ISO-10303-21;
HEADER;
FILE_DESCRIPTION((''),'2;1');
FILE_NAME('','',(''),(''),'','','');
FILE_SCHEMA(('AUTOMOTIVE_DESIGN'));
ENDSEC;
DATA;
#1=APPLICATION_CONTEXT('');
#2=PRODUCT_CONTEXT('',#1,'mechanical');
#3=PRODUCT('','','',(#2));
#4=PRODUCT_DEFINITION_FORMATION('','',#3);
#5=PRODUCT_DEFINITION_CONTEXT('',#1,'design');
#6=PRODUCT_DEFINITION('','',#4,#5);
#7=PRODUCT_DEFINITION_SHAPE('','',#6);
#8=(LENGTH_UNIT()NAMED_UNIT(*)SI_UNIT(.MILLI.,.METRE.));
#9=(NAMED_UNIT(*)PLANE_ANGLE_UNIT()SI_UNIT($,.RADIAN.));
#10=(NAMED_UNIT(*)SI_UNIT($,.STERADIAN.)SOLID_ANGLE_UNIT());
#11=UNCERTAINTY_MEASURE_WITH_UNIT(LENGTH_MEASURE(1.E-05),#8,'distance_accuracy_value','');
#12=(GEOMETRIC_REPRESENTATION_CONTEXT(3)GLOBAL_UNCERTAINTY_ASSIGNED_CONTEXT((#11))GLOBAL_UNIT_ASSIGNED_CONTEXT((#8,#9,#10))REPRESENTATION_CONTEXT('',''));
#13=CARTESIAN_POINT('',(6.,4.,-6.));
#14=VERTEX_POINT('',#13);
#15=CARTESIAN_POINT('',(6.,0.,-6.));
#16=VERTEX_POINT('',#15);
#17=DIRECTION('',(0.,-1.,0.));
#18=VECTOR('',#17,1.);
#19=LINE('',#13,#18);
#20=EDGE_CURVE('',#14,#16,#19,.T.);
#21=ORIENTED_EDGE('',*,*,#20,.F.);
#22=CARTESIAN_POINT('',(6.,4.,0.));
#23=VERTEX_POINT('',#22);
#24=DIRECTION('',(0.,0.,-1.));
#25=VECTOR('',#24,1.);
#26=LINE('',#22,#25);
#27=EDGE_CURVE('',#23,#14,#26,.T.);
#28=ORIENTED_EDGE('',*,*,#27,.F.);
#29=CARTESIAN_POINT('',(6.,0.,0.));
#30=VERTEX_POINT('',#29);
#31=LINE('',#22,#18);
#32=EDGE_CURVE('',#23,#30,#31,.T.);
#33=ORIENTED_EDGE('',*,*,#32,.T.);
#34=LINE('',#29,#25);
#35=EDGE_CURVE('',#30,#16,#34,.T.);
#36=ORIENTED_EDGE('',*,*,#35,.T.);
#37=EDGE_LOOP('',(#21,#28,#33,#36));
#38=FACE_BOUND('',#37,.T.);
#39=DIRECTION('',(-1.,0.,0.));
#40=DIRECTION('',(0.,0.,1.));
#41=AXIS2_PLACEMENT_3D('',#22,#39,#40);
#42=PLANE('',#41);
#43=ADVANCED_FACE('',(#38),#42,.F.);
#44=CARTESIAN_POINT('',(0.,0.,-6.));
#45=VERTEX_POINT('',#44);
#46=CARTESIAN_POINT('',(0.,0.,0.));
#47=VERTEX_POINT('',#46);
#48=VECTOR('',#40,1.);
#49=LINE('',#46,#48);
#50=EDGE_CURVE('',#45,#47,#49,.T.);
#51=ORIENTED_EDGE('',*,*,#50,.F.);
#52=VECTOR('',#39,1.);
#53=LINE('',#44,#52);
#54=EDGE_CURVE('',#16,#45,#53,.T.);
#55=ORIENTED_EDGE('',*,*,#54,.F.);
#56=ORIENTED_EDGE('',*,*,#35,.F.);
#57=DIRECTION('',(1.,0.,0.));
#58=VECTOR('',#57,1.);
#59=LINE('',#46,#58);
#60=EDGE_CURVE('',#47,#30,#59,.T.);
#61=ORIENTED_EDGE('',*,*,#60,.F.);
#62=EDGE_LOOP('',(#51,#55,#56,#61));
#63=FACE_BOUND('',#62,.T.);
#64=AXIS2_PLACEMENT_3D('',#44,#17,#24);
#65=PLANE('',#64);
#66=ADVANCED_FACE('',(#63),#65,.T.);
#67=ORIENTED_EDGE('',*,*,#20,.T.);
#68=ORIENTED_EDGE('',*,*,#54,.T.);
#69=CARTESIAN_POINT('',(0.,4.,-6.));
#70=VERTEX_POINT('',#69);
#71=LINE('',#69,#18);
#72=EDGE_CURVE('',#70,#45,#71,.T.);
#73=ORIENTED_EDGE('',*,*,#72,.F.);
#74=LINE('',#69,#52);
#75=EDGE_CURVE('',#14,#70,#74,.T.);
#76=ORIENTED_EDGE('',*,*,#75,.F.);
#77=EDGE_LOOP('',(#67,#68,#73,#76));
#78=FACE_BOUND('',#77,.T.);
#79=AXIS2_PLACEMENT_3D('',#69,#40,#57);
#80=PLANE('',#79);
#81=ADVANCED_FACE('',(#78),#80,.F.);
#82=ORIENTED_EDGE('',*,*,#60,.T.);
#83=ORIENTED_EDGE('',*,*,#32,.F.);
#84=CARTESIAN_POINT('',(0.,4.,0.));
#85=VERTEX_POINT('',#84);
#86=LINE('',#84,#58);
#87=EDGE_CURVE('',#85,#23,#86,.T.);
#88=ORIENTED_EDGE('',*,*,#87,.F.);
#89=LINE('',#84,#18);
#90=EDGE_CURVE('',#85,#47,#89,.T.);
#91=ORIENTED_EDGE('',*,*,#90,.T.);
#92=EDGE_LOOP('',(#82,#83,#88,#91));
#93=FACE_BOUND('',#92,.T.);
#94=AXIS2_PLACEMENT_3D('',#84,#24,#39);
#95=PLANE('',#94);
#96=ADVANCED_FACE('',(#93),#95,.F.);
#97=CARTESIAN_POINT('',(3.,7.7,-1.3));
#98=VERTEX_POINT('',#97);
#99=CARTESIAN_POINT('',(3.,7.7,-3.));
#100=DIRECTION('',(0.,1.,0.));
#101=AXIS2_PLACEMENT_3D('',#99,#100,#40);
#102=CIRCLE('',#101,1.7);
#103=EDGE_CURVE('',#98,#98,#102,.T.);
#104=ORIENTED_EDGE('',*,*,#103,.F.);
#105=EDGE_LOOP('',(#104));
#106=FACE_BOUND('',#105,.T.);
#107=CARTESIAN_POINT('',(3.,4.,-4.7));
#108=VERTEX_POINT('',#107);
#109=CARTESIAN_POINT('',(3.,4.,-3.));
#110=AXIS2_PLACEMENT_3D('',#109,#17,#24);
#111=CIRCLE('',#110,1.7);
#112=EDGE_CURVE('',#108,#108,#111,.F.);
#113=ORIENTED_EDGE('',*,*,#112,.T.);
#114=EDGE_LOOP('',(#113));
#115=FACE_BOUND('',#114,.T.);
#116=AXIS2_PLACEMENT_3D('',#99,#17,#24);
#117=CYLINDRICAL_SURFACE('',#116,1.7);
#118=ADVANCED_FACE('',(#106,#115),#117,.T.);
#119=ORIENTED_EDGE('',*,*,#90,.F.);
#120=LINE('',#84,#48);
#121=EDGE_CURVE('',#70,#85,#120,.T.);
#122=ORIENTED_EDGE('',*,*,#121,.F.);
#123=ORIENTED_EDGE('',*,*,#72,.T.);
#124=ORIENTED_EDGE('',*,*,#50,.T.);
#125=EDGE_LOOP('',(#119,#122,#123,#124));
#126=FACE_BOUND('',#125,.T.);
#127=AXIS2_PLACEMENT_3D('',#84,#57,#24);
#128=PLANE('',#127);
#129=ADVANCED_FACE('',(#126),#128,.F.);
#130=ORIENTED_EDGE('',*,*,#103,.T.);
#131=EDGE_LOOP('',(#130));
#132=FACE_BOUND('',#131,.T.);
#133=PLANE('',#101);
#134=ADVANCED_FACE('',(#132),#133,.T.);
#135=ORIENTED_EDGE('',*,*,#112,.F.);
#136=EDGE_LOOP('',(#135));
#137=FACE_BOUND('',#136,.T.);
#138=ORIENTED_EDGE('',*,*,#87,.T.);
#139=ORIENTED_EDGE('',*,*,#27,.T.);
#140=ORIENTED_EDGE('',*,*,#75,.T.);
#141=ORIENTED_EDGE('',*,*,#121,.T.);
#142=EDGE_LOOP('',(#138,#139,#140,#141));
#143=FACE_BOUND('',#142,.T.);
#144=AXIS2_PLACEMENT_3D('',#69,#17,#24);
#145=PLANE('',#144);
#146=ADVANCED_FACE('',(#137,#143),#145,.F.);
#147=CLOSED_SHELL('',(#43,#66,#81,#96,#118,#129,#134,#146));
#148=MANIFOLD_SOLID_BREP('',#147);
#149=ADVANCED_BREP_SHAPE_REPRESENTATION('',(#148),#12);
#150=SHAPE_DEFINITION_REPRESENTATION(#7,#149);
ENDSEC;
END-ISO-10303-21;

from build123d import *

# Parameters (mm, degrees)
SKETCH1_W           = 6
SKETCH1_H           = 6
BOSS_EXTRUDE1_DEPTH = 4
SKETCH2_R           = 1.7
BOSS_EXTRUDE2_DEPTH = 3.7


with BuildPart() as part:
    # Sketch1 → Boss-Extrude1 (new body)
    with BuildSketch(Plane(origin=(0, 0, 0), x_dir=(1, 0, 0), z_dir=(0, 1, 0))):
        with Locations((3, 3)):
            Rectangle(SKETCH1_W, SKETCH1_H)
    extrude(amount=BOSS_EXTRUDE1_DEPTH)

    # Sketch2 → Boss-Extrude2 (add)
    with BuildSketch(Plane(origin=(0, 4, 0), x_dir=(1, 0, 0), z_dir=(0, 1, 0))):
        with Locations(Location((3, 3, 0), (0, 0, 90))):
            Circle(SKETCH2_R)
    extrude(amount=BOSS_EXTRUDE2_DEPTH)


solid = part.part
